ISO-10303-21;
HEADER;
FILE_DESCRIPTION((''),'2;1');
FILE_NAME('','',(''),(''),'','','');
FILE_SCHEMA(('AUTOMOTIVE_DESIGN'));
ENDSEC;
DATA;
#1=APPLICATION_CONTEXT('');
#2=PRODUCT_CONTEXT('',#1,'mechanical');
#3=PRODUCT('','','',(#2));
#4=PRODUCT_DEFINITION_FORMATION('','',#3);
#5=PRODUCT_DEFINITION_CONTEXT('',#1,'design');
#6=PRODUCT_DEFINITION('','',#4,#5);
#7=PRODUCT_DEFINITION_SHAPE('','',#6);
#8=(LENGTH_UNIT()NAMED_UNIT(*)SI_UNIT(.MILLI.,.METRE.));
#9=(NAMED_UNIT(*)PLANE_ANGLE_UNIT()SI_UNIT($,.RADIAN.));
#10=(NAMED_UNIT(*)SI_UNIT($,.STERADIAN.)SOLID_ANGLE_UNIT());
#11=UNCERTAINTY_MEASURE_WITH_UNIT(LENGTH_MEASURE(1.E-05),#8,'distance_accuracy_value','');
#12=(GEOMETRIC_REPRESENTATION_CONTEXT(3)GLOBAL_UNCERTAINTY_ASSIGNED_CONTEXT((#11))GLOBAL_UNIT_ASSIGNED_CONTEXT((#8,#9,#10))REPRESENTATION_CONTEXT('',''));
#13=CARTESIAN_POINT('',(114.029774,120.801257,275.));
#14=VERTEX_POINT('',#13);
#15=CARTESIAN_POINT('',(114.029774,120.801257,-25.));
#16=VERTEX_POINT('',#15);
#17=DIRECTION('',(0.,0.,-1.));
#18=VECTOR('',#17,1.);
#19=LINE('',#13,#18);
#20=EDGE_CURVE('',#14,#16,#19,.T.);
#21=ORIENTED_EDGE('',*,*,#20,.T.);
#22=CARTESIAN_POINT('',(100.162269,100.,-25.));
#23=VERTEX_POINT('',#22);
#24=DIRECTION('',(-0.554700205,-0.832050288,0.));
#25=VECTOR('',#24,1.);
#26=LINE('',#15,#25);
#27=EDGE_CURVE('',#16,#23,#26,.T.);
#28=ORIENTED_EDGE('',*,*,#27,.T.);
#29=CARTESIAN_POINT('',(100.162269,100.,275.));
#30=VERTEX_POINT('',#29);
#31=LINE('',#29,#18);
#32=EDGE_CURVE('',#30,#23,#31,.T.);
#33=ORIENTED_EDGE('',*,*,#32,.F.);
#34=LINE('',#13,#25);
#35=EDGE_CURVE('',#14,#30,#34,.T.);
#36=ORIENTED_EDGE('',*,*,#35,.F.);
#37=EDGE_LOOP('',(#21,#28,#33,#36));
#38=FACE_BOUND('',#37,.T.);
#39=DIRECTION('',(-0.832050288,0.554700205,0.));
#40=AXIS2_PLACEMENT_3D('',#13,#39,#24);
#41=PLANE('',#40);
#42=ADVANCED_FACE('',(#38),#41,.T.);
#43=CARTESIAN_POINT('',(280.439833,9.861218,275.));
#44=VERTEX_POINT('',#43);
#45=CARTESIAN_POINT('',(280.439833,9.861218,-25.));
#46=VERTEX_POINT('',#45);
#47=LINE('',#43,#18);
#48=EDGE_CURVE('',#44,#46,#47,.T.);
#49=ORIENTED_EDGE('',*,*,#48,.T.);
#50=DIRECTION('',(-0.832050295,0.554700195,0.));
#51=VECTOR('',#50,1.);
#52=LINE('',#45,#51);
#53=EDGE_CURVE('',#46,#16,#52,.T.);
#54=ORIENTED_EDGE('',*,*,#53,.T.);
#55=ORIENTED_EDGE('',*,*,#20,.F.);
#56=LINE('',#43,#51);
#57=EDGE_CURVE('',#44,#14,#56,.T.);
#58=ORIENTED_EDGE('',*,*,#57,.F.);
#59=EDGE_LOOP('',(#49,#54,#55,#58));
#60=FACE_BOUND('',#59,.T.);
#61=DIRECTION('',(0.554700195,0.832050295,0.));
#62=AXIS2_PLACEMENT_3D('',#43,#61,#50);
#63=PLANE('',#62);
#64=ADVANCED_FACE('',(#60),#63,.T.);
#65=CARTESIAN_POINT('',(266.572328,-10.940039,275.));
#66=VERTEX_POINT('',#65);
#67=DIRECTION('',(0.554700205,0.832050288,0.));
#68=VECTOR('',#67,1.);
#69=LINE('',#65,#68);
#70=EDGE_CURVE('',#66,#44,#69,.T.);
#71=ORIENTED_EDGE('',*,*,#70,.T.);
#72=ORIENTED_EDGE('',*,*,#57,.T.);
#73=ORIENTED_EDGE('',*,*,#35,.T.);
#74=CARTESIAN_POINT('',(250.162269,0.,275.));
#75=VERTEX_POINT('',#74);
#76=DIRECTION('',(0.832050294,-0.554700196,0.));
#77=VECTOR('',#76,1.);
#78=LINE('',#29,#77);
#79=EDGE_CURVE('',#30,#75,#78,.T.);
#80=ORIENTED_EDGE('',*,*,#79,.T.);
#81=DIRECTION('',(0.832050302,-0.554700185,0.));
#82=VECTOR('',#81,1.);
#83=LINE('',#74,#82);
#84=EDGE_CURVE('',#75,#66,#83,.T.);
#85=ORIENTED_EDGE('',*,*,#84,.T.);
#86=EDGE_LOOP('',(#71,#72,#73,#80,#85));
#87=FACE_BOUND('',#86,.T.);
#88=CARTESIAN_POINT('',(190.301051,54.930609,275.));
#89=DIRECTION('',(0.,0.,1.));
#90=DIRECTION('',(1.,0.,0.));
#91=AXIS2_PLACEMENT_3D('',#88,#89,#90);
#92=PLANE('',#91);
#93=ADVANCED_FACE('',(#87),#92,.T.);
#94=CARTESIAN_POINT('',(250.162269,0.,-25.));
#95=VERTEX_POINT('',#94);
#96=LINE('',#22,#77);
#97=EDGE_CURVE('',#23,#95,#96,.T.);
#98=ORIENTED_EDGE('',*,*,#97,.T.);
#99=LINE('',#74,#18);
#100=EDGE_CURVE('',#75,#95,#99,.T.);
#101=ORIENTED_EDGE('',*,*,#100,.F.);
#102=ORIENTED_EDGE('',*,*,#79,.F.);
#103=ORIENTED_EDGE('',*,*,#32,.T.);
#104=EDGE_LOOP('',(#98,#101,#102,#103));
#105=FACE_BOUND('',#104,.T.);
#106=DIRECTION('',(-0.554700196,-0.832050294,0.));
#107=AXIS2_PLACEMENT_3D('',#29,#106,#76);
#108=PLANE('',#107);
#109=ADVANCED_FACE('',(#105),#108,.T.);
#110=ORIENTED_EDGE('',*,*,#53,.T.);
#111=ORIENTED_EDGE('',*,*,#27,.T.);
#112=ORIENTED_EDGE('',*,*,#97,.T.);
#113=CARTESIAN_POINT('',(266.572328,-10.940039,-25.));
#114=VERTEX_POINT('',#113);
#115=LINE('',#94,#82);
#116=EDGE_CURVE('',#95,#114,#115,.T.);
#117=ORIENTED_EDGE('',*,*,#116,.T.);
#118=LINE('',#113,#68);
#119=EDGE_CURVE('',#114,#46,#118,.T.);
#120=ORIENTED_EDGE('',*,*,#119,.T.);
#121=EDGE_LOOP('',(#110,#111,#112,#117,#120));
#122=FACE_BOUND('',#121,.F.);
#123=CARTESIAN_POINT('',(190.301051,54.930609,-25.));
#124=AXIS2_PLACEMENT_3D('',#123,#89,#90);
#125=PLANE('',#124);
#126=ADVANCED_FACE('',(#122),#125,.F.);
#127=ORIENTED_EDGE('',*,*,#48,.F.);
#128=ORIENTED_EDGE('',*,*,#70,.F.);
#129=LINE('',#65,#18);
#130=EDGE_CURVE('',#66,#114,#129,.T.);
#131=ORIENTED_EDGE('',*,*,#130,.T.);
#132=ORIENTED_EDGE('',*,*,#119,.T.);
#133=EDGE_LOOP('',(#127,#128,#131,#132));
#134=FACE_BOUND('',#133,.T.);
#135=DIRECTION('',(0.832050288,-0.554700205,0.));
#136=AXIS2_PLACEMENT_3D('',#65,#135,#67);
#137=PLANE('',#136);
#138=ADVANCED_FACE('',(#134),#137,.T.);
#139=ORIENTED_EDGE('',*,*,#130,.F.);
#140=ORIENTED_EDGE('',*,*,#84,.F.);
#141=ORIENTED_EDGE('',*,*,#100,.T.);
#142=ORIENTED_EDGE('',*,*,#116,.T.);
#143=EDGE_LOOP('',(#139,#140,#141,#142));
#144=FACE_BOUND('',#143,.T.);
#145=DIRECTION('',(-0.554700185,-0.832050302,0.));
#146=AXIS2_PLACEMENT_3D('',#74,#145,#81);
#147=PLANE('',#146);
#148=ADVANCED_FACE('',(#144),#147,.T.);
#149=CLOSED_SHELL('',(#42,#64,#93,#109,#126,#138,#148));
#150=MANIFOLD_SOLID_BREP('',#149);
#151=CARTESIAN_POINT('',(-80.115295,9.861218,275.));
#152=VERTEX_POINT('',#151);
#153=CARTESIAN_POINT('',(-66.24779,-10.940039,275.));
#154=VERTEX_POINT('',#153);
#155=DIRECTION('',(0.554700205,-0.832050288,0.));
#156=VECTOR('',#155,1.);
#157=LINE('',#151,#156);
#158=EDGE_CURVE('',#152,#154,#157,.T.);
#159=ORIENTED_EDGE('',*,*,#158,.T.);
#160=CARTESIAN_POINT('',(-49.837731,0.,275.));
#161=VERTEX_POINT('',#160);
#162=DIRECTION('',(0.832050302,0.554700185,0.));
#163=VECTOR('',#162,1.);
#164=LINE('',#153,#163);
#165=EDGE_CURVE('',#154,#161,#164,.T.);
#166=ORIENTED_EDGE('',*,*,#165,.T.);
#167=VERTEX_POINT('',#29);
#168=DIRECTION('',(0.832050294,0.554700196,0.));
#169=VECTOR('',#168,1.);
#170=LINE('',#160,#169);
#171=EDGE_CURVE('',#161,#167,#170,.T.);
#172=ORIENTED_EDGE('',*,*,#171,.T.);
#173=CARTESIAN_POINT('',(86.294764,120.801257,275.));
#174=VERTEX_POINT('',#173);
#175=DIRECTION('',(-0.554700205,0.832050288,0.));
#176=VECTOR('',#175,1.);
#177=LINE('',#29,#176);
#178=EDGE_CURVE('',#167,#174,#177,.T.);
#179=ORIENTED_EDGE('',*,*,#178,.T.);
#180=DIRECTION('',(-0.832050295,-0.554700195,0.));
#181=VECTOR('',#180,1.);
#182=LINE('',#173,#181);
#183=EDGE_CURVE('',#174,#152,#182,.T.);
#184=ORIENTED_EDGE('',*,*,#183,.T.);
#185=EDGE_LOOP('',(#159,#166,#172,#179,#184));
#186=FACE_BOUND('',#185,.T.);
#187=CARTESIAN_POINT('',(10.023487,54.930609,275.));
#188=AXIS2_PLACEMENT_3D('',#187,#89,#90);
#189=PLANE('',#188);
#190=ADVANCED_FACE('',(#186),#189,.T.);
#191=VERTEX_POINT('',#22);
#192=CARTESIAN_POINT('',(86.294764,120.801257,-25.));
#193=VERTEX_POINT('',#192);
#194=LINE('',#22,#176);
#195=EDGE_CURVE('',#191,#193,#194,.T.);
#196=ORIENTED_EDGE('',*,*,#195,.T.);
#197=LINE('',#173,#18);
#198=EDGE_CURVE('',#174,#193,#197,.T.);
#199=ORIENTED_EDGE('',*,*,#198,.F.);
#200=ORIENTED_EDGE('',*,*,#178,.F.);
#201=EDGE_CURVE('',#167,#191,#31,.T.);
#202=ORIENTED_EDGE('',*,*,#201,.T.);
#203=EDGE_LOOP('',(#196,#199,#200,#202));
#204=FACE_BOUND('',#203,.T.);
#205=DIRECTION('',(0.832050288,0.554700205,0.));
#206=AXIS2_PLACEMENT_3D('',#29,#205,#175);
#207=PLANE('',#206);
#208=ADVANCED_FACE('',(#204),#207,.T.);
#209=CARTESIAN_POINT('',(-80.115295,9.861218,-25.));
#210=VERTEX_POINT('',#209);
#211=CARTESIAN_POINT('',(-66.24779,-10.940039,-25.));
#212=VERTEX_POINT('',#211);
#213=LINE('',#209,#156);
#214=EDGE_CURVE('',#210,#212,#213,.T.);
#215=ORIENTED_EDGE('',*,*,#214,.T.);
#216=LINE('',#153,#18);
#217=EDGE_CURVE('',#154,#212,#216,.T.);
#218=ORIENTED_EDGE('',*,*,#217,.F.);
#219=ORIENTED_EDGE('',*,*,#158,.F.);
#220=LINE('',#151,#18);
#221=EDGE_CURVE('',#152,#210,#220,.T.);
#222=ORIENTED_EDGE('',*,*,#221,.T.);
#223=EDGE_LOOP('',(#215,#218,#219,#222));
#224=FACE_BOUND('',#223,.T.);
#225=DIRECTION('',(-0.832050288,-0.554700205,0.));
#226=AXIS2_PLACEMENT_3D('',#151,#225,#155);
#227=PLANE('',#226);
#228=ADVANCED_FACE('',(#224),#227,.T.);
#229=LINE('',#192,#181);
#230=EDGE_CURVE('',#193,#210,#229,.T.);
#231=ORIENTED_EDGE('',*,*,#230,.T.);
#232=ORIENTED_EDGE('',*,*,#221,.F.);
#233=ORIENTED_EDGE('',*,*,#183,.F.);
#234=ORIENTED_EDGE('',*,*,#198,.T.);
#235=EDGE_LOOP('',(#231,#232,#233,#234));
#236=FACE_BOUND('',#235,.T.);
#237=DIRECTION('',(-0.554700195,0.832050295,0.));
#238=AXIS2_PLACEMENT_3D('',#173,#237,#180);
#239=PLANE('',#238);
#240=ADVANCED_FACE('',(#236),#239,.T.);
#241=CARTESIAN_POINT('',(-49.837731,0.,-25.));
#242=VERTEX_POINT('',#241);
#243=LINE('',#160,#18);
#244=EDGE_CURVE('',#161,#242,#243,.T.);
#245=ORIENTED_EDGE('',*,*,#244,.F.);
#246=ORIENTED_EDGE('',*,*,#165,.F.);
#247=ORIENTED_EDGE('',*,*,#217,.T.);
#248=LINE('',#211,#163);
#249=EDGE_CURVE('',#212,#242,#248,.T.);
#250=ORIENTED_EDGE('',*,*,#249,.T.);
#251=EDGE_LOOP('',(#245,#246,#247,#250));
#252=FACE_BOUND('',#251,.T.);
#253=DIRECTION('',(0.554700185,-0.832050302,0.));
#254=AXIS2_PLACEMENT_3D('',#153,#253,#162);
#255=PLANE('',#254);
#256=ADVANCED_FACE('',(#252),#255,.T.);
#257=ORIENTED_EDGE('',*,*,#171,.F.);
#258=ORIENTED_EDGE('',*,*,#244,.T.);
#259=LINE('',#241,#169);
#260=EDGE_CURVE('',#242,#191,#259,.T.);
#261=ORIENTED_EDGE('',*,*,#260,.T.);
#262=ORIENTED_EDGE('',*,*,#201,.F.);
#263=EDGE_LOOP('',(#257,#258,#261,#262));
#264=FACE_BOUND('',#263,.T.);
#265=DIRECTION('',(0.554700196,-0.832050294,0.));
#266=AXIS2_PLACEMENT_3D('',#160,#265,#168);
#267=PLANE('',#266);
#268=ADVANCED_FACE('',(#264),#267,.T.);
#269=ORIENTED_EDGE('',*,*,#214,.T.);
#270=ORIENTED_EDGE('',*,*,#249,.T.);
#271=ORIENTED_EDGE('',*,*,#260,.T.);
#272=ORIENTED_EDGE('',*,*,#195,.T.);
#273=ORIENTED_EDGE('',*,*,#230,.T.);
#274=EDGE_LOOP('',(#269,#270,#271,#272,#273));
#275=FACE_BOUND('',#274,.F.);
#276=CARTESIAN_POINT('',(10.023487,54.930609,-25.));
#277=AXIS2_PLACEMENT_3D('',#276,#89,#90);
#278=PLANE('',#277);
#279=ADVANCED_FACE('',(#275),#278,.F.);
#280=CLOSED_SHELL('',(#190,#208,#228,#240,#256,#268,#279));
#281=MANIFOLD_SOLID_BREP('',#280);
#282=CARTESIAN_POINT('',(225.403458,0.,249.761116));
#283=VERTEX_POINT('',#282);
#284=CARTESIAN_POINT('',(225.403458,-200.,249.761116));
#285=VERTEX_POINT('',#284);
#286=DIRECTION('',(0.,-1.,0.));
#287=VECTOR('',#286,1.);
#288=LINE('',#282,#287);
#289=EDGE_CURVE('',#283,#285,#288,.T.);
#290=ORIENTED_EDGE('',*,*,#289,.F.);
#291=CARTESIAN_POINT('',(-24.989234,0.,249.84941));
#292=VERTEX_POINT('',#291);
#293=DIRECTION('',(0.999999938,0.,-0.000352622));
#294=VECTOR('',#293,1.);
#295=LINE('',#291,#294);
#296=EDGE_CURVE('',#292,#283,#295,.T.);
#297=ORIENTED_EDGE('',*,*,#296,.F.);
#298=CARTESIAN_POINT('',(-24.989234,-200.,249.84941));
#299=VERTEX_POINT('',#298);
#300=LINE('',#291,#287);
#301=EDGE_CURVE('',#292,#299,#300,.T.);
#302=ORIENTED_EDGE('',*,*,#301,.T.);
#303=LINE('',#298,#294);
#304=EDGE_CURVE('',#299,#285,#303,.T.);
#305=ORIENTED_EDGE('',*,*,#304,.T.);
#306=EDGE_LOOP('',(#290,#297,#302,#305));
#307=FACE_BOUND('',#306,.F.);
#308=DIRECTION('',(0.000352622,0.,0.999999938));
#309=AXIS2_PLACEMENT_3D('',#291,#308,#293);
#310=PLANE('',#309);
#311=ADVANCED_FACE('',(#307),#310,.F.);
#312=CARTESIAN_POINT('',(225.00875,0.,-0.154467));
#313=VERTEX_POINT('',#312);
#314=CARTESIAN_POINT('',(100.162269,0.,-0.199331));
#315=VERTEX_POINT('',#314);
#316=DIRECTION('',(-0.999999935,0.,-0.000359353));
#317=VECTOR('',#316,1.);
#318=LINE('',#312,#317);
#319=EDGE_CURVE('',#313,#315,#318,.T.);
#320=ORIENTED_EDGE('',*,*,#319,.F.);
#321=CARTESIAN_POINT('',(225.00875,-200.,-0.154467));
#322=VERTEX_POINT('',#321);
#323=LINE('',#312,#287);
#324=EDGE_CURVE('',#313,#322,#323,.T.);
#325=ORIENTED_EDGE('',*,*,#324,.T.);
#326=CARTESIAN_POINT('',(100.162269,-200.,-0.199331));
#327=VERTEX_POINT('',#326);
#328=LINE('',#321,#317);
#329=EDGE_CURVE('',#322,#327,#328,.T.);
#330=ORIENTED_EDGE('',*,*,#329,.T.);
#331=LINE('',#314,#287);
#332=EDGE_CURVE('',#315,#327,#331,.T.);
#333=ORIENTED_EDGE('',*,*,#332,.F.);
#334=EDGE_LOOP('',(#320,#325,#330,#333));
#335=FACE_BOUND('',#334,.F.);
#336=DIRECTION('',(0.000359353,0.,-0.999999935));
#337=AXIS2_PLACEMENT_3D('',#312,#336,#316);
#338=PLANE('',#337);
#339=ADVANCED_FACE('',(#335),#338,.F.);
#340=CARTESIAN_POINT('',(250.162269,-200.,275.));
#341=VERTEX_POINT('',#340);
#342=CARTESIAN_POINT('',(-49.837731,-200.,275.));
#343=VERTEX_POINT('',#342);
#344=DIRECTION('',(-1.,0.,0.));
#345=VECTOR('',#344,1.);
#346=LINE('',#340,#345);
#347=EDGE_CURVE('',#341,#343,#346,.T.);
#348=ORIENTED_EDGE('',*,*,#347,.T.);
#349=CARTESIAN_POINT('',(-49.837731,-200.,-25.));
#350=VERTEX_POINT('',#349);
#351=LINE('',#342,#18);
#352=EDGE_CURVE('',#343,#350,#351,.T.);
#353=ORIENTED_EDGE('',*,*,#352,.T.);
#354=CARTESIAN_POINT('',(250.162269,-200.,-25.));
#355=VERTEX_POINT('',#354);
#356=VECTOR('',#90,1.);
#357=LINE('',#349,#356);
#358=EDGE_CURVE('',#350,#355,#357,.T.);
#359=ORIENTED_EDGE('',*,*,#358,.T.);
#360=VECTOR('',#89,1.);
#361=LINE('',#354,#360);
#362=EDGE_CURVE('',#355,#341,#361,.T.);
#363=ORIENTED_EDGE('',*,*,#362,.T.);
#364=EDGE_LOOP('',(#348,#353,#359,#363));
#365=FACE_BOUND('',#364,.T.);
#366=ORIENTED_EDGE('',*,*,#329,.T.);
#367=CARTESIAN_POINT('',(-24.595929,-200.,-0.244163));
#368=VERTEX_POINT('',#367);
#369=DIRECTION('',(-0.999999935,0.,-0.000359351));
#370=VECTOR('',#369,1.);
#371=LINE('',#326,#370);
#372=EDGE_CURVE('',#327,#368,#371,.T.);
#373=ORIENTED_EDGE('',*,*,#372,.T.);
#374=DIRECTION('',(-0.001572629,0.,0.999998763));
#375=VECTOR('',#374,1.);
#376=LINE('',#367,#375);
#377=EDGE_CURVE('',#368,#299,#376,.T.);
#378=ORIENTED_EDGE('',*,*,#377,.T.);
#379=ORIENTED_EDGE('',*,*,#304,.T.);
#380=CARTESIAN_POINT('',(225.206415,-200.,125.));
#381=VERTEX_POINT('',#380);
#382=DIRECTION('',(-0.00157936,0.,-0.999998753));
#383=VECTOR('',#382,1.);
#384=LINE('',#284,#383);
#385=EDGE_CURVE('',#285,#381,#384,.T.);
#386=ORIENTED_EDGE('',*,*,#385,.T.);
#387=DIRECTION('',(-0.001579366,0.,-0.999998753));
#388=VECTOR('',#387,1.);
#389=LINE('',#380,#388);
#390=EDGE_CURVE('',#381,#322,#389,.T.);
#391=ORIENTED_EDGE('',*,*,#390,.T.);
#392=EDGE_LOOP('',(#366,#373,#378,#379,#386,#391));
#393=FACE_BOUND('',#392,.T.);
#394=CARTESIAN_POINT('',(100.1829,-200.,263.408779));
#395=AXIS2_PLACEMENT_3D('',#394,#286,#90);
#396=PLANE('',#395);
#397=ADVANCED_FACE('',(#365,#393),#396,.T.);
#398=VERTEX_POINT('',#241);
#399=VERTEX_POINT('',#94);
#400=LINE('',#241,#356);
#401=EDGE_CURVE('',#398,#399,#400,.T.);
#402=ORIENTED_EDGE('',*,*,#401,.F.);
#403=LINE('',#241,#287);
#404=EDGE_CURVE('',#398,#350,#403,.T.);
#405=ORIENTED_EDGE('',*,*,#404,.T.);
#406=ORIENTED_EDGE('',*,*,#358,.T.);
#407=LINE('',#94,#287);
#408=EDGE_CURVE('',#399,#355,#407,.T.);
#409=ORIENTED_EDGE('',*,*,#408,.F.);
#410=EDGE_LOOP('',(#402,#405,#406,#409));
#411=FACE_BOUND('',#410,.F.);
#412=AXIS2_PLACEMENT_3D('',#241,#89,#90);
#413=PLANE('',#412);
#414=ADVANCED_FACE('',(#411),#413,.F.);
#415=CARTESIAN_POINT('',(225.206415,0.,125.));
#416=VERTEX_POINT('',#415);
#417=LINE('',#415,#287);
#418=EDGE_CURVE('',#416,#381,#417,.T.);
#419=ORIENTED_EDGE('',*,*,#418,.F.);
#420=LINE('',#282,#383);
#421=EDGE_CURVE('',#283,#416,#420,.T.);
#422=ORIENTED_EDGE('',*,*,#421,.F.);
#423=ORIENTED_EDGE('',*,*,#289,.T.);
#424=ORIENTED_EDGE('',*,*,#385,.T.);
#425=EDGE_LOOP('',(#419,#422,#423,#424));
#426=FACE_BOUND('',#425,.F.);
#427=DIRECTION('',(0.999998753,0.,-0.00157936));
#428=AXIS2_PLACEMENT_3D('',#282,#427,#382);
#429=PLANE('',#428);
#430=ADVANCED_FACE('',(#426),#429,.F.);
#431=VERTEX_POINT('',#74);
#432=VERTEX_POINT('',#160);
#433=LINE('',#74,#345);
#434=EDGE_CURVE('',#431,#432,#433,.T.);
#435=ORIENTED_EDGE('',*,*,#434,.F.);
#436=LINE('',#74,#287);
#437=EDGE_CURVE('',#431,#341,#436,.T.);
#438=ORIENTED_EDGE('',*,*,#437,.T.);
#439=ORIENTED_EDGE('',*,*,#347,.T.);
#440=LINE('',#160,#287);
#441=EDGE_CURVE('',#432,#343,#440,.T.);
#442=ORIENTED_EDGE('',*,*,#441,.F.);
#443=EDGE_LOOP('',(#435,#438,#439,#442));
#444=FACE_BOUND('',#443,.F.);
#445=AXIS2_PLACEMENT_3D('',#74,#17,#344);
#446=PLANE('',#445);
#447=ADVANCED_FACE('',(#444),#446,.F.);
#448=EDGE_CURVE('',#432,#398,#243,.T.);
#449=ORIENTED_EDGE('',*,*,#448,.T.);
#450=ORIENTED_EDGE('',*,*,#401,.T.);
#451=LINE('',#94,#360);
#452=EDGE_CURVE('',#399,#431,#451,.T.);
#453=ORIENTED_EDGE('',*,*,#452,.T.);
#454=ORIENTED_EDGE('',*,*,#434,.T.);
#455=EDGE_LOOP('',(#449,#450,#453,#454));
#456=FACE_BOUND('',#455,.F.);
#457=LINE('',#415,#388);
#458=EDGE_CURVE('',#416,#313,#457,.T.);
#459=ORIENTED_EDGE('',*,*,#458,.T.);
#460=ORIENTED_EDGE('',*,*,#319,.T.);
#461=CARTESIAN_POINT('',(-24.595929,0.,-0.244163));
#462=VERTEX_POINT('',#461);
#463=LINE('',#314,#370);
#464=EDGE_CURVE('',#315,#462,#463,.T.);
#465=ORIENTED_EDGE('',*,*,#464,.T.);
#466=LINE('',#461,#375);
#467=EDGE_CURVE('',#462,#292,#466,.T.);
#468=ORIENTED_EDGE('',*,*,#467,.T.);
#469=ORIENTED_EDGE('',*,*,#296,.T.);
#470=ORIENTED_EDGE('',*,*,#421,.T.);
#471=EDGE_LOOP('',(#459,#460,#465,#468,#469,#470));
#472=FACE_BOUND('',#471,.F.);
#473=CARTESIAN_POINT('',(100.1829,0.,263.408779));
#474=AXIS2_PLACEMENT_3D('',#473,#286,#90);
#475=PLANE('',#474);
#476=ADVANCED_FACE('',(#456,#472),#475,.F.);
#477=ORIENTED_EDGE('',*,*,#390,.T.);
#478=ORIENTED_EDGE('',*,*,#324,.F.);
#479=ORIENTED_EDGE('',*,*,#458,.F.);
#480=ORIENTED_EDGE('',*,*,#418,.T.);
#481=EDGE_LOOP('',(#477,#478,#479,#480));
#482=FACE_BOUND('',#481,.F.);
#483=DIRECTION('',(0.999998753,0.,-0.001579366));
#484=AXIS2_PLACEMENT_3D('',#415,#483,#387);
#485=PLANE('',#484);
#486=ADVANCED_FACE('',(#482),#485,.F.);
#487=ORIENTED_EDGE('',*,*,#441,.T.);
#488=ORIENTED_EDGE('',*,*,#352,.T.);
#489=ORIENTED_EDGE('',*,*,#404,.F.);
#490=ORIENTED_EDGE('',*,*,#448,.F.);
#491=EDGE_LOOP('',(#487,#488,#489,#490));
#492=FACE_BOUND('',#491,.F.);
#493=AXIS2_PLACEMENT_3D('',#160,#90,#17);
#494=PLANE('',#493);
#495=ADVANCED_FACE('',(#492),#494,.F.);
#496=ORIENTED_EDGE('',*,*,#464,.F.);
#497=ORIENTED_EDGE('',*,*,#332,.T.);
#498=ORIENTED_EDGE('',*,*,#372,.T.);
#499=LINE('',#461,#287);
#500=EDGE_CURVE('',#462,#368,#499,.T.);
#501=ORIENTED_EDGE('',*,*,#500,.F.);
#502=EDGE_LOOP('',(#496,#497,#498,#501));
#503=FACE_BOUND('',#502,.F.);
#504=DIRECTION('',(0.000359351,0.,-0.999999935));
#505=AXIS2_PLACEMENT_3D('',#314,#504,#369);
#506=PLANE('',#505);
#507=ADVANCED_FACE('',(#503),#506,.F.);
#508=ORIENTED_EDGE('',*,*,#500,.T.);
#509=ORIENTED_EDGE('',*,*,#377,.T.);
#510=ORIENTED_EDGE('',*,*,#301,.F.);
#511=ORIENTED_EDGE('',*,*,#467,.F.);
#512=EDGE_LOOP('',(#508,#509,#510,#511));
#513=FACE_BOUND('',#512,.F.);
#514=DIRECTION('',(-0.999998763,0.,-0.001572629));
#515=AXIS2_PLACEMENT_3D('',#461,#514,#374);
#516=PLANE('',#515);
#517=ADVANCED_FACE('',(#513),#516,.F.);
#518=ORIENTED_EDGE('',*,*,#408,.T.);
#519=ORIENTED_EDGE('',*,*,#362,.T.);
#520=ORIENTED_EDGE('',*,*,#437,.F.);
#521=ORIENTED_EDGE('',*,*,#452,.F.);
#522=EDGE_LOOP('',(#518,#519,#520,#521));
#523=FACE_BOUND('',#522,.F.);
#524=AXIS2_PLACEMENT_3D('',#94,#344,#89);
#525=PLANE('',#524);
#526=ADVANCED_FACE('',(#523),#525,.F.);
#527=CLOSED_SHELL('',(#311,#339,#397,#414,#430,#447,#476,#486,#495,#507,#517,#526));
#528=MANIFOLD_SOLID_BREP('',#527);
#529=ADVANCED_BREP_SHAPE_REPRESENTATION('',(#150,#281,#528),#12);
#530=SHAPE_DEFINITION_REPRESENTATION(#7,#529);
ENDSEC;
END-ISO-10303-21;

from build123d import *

# Parameters (mm, degrees)
F1_DEPTH = 200
F3_DEPTH = 300


with BuildPart() as f1:
    # F0 (on Front) → F1 (new body)
    with BuildSketch(Plane.XZ):
        Polygon((225.403458, 249.761116), (250.162269, 275), (100.162269, 275), (-49.837731, 275), (-24.989234, 249.84941), align=None)
        Polygon((225.206415, 125), (250.162269, 125), (250.162269, 275), (225.403458, 249.761116), align=None)
        Polygon((225.00875, -0.154467), (250.162269, -25), (250.162269, 125), (225.206415, 125), align=None)
        Polygon((100.162269, -25), (250.162269, -25), (225.00875, -0.154467), (100.162269, -0.199331), align=None)
        Polygon((-49.837731, -25), (100.162269, -25), (100.162269, -0.199331), (-24.595929, -0.244163), align=None)
        Polygon((-49.837731, 125), (-49.837731, -25), (-24.595929, -0.244163), (-24.989234, 249.84941), (-49.837731, 275), align=None)
    extrude(amount=F1_DEPTH)


with BuildPart() as f3:
    # F2 (on face) → F3 (new body)
    with BuildSketch(Plane.XY.offset(275)):
        Polygon((-49.837731, 0), (100.162269, 100), (86.294764, 120.801257), (-80.115295, 9.861218), (-66.24779, -10.940039), align=None)
        Polygon((114.029774, 120.801257), (100.162269, 100), (250.162269, 0), (266.572328, -10.940039), (280.439833, 9.861218), align=None)
    extrude(amount=-F3_DEPTH)


solid = Compound([f1.part, f3.part])
